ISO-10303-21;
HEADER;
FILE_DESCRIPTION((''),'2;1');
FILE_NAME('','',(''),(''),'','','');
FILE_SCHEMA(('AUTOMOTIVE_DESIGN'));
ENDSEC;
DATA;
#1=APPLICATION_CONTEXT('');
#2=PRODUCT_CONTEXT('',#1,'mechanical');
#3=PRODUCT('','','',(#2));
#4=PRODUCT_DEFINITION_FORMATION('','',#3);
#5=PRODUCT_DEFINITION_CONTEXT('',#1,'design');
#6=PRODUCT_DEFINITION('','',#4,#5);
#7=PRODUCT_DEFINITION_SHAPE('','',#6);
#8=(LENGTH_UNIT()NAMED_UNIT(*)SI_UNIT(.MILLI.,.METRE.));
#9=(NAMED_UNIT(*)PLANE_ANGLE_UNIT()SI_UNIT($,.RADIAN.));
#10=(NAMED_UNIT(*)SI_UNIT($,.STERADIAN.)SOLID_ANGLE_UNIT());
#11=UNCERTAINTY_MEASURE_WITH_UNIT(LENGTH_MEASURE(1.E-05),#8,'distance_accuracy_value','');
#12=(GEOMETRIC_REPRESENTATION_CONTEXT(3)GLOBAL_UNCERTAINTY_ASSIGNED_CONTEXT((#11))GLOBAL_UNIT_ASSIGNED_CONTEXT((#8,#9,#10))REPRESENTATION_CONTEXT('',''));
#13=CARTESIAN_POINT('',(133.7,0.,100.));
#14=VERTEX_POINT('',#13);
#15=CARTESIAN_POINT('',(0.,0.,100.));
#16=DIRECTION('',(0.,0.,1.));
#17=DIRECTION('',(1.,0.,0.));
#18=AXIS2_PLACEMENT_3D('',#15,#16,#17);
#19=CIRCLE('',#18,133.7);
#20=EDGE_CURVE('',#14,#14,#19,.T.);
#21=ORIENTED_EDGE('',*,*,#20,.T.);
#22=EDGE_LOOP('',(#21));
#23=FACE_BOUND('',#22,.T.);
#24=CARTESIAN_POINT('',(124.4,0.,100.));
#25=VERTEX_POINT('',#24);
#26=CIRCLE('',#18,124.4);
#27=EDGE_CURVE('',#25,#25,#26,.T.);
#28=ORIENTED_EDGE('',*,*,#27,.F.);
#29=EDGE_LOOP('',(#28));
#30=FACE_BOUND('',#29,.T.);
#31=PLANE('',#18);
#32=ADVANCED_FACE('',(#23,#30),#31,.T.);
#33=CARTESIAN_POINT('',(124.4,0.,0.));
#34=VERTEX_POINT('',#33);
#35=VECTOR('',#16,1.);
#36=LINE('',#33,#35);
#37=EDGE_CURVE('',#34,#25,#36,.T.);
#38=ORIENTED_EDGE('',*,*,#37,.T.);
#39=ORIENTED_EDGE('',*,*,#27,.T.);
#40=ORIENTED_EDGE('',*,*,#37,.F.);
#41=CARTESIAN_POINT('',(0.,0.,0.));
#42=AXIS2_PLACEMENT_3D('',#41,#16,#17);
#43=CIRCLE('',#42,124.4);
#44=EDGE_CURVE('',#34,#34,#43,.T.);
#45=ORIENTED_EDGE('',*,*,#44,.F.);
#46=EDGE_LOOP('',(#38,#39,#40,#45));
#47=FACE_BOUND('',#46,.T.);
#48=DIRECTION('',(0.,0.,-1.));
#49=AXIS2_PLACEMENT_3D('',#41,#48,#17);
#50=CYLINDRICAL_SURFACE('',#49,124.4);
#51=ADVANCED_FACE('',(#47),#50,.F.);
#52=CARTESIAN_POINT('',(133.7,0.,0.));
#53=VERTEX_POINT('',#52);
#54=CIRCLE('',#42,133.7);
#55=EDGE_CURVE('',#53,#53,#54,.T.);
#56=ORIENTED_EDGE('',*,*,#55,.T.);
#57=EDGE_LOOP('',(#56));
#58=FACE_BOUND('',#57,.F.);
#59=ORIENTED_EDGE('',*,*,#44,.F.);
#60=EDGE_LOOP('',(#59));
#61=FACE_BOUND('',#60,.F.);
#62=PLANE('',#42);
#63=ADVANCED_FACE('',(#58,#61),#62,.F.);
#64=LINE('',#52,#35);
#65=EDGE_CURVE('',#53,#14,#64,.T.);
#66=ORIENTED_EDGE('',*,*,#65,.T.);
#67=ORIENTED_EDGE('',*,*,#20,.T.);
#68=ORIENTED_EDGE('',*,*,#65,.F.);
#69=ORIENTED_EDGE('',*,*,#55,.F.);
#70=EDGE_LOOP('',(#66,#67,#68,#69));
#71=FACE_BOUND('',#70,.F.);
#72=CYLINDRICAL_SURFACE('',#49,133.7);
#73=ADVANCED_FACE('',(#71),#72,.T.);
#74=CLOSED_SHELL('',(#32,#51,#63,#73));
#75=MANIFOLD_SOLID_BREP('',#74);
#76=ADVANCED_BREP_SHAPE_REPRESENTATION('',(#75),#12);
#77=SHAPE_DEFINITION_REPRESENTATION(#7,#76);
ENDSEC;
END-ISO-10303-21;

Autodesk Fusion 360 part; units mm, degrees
sketch "スケッチ1" plane through (0, 0, 0) normal (0, 0, 1) x (1, 0, 0)
  circle A0 centre (0, 0) radius 133.7
  circle A1 centre (0, 0) radius 124.4
  dimension "d1" = 267.4
  dimension "d2" = -9.3
extrude "押し出し1" add sketch "スケッチ1" along normal blind 100
